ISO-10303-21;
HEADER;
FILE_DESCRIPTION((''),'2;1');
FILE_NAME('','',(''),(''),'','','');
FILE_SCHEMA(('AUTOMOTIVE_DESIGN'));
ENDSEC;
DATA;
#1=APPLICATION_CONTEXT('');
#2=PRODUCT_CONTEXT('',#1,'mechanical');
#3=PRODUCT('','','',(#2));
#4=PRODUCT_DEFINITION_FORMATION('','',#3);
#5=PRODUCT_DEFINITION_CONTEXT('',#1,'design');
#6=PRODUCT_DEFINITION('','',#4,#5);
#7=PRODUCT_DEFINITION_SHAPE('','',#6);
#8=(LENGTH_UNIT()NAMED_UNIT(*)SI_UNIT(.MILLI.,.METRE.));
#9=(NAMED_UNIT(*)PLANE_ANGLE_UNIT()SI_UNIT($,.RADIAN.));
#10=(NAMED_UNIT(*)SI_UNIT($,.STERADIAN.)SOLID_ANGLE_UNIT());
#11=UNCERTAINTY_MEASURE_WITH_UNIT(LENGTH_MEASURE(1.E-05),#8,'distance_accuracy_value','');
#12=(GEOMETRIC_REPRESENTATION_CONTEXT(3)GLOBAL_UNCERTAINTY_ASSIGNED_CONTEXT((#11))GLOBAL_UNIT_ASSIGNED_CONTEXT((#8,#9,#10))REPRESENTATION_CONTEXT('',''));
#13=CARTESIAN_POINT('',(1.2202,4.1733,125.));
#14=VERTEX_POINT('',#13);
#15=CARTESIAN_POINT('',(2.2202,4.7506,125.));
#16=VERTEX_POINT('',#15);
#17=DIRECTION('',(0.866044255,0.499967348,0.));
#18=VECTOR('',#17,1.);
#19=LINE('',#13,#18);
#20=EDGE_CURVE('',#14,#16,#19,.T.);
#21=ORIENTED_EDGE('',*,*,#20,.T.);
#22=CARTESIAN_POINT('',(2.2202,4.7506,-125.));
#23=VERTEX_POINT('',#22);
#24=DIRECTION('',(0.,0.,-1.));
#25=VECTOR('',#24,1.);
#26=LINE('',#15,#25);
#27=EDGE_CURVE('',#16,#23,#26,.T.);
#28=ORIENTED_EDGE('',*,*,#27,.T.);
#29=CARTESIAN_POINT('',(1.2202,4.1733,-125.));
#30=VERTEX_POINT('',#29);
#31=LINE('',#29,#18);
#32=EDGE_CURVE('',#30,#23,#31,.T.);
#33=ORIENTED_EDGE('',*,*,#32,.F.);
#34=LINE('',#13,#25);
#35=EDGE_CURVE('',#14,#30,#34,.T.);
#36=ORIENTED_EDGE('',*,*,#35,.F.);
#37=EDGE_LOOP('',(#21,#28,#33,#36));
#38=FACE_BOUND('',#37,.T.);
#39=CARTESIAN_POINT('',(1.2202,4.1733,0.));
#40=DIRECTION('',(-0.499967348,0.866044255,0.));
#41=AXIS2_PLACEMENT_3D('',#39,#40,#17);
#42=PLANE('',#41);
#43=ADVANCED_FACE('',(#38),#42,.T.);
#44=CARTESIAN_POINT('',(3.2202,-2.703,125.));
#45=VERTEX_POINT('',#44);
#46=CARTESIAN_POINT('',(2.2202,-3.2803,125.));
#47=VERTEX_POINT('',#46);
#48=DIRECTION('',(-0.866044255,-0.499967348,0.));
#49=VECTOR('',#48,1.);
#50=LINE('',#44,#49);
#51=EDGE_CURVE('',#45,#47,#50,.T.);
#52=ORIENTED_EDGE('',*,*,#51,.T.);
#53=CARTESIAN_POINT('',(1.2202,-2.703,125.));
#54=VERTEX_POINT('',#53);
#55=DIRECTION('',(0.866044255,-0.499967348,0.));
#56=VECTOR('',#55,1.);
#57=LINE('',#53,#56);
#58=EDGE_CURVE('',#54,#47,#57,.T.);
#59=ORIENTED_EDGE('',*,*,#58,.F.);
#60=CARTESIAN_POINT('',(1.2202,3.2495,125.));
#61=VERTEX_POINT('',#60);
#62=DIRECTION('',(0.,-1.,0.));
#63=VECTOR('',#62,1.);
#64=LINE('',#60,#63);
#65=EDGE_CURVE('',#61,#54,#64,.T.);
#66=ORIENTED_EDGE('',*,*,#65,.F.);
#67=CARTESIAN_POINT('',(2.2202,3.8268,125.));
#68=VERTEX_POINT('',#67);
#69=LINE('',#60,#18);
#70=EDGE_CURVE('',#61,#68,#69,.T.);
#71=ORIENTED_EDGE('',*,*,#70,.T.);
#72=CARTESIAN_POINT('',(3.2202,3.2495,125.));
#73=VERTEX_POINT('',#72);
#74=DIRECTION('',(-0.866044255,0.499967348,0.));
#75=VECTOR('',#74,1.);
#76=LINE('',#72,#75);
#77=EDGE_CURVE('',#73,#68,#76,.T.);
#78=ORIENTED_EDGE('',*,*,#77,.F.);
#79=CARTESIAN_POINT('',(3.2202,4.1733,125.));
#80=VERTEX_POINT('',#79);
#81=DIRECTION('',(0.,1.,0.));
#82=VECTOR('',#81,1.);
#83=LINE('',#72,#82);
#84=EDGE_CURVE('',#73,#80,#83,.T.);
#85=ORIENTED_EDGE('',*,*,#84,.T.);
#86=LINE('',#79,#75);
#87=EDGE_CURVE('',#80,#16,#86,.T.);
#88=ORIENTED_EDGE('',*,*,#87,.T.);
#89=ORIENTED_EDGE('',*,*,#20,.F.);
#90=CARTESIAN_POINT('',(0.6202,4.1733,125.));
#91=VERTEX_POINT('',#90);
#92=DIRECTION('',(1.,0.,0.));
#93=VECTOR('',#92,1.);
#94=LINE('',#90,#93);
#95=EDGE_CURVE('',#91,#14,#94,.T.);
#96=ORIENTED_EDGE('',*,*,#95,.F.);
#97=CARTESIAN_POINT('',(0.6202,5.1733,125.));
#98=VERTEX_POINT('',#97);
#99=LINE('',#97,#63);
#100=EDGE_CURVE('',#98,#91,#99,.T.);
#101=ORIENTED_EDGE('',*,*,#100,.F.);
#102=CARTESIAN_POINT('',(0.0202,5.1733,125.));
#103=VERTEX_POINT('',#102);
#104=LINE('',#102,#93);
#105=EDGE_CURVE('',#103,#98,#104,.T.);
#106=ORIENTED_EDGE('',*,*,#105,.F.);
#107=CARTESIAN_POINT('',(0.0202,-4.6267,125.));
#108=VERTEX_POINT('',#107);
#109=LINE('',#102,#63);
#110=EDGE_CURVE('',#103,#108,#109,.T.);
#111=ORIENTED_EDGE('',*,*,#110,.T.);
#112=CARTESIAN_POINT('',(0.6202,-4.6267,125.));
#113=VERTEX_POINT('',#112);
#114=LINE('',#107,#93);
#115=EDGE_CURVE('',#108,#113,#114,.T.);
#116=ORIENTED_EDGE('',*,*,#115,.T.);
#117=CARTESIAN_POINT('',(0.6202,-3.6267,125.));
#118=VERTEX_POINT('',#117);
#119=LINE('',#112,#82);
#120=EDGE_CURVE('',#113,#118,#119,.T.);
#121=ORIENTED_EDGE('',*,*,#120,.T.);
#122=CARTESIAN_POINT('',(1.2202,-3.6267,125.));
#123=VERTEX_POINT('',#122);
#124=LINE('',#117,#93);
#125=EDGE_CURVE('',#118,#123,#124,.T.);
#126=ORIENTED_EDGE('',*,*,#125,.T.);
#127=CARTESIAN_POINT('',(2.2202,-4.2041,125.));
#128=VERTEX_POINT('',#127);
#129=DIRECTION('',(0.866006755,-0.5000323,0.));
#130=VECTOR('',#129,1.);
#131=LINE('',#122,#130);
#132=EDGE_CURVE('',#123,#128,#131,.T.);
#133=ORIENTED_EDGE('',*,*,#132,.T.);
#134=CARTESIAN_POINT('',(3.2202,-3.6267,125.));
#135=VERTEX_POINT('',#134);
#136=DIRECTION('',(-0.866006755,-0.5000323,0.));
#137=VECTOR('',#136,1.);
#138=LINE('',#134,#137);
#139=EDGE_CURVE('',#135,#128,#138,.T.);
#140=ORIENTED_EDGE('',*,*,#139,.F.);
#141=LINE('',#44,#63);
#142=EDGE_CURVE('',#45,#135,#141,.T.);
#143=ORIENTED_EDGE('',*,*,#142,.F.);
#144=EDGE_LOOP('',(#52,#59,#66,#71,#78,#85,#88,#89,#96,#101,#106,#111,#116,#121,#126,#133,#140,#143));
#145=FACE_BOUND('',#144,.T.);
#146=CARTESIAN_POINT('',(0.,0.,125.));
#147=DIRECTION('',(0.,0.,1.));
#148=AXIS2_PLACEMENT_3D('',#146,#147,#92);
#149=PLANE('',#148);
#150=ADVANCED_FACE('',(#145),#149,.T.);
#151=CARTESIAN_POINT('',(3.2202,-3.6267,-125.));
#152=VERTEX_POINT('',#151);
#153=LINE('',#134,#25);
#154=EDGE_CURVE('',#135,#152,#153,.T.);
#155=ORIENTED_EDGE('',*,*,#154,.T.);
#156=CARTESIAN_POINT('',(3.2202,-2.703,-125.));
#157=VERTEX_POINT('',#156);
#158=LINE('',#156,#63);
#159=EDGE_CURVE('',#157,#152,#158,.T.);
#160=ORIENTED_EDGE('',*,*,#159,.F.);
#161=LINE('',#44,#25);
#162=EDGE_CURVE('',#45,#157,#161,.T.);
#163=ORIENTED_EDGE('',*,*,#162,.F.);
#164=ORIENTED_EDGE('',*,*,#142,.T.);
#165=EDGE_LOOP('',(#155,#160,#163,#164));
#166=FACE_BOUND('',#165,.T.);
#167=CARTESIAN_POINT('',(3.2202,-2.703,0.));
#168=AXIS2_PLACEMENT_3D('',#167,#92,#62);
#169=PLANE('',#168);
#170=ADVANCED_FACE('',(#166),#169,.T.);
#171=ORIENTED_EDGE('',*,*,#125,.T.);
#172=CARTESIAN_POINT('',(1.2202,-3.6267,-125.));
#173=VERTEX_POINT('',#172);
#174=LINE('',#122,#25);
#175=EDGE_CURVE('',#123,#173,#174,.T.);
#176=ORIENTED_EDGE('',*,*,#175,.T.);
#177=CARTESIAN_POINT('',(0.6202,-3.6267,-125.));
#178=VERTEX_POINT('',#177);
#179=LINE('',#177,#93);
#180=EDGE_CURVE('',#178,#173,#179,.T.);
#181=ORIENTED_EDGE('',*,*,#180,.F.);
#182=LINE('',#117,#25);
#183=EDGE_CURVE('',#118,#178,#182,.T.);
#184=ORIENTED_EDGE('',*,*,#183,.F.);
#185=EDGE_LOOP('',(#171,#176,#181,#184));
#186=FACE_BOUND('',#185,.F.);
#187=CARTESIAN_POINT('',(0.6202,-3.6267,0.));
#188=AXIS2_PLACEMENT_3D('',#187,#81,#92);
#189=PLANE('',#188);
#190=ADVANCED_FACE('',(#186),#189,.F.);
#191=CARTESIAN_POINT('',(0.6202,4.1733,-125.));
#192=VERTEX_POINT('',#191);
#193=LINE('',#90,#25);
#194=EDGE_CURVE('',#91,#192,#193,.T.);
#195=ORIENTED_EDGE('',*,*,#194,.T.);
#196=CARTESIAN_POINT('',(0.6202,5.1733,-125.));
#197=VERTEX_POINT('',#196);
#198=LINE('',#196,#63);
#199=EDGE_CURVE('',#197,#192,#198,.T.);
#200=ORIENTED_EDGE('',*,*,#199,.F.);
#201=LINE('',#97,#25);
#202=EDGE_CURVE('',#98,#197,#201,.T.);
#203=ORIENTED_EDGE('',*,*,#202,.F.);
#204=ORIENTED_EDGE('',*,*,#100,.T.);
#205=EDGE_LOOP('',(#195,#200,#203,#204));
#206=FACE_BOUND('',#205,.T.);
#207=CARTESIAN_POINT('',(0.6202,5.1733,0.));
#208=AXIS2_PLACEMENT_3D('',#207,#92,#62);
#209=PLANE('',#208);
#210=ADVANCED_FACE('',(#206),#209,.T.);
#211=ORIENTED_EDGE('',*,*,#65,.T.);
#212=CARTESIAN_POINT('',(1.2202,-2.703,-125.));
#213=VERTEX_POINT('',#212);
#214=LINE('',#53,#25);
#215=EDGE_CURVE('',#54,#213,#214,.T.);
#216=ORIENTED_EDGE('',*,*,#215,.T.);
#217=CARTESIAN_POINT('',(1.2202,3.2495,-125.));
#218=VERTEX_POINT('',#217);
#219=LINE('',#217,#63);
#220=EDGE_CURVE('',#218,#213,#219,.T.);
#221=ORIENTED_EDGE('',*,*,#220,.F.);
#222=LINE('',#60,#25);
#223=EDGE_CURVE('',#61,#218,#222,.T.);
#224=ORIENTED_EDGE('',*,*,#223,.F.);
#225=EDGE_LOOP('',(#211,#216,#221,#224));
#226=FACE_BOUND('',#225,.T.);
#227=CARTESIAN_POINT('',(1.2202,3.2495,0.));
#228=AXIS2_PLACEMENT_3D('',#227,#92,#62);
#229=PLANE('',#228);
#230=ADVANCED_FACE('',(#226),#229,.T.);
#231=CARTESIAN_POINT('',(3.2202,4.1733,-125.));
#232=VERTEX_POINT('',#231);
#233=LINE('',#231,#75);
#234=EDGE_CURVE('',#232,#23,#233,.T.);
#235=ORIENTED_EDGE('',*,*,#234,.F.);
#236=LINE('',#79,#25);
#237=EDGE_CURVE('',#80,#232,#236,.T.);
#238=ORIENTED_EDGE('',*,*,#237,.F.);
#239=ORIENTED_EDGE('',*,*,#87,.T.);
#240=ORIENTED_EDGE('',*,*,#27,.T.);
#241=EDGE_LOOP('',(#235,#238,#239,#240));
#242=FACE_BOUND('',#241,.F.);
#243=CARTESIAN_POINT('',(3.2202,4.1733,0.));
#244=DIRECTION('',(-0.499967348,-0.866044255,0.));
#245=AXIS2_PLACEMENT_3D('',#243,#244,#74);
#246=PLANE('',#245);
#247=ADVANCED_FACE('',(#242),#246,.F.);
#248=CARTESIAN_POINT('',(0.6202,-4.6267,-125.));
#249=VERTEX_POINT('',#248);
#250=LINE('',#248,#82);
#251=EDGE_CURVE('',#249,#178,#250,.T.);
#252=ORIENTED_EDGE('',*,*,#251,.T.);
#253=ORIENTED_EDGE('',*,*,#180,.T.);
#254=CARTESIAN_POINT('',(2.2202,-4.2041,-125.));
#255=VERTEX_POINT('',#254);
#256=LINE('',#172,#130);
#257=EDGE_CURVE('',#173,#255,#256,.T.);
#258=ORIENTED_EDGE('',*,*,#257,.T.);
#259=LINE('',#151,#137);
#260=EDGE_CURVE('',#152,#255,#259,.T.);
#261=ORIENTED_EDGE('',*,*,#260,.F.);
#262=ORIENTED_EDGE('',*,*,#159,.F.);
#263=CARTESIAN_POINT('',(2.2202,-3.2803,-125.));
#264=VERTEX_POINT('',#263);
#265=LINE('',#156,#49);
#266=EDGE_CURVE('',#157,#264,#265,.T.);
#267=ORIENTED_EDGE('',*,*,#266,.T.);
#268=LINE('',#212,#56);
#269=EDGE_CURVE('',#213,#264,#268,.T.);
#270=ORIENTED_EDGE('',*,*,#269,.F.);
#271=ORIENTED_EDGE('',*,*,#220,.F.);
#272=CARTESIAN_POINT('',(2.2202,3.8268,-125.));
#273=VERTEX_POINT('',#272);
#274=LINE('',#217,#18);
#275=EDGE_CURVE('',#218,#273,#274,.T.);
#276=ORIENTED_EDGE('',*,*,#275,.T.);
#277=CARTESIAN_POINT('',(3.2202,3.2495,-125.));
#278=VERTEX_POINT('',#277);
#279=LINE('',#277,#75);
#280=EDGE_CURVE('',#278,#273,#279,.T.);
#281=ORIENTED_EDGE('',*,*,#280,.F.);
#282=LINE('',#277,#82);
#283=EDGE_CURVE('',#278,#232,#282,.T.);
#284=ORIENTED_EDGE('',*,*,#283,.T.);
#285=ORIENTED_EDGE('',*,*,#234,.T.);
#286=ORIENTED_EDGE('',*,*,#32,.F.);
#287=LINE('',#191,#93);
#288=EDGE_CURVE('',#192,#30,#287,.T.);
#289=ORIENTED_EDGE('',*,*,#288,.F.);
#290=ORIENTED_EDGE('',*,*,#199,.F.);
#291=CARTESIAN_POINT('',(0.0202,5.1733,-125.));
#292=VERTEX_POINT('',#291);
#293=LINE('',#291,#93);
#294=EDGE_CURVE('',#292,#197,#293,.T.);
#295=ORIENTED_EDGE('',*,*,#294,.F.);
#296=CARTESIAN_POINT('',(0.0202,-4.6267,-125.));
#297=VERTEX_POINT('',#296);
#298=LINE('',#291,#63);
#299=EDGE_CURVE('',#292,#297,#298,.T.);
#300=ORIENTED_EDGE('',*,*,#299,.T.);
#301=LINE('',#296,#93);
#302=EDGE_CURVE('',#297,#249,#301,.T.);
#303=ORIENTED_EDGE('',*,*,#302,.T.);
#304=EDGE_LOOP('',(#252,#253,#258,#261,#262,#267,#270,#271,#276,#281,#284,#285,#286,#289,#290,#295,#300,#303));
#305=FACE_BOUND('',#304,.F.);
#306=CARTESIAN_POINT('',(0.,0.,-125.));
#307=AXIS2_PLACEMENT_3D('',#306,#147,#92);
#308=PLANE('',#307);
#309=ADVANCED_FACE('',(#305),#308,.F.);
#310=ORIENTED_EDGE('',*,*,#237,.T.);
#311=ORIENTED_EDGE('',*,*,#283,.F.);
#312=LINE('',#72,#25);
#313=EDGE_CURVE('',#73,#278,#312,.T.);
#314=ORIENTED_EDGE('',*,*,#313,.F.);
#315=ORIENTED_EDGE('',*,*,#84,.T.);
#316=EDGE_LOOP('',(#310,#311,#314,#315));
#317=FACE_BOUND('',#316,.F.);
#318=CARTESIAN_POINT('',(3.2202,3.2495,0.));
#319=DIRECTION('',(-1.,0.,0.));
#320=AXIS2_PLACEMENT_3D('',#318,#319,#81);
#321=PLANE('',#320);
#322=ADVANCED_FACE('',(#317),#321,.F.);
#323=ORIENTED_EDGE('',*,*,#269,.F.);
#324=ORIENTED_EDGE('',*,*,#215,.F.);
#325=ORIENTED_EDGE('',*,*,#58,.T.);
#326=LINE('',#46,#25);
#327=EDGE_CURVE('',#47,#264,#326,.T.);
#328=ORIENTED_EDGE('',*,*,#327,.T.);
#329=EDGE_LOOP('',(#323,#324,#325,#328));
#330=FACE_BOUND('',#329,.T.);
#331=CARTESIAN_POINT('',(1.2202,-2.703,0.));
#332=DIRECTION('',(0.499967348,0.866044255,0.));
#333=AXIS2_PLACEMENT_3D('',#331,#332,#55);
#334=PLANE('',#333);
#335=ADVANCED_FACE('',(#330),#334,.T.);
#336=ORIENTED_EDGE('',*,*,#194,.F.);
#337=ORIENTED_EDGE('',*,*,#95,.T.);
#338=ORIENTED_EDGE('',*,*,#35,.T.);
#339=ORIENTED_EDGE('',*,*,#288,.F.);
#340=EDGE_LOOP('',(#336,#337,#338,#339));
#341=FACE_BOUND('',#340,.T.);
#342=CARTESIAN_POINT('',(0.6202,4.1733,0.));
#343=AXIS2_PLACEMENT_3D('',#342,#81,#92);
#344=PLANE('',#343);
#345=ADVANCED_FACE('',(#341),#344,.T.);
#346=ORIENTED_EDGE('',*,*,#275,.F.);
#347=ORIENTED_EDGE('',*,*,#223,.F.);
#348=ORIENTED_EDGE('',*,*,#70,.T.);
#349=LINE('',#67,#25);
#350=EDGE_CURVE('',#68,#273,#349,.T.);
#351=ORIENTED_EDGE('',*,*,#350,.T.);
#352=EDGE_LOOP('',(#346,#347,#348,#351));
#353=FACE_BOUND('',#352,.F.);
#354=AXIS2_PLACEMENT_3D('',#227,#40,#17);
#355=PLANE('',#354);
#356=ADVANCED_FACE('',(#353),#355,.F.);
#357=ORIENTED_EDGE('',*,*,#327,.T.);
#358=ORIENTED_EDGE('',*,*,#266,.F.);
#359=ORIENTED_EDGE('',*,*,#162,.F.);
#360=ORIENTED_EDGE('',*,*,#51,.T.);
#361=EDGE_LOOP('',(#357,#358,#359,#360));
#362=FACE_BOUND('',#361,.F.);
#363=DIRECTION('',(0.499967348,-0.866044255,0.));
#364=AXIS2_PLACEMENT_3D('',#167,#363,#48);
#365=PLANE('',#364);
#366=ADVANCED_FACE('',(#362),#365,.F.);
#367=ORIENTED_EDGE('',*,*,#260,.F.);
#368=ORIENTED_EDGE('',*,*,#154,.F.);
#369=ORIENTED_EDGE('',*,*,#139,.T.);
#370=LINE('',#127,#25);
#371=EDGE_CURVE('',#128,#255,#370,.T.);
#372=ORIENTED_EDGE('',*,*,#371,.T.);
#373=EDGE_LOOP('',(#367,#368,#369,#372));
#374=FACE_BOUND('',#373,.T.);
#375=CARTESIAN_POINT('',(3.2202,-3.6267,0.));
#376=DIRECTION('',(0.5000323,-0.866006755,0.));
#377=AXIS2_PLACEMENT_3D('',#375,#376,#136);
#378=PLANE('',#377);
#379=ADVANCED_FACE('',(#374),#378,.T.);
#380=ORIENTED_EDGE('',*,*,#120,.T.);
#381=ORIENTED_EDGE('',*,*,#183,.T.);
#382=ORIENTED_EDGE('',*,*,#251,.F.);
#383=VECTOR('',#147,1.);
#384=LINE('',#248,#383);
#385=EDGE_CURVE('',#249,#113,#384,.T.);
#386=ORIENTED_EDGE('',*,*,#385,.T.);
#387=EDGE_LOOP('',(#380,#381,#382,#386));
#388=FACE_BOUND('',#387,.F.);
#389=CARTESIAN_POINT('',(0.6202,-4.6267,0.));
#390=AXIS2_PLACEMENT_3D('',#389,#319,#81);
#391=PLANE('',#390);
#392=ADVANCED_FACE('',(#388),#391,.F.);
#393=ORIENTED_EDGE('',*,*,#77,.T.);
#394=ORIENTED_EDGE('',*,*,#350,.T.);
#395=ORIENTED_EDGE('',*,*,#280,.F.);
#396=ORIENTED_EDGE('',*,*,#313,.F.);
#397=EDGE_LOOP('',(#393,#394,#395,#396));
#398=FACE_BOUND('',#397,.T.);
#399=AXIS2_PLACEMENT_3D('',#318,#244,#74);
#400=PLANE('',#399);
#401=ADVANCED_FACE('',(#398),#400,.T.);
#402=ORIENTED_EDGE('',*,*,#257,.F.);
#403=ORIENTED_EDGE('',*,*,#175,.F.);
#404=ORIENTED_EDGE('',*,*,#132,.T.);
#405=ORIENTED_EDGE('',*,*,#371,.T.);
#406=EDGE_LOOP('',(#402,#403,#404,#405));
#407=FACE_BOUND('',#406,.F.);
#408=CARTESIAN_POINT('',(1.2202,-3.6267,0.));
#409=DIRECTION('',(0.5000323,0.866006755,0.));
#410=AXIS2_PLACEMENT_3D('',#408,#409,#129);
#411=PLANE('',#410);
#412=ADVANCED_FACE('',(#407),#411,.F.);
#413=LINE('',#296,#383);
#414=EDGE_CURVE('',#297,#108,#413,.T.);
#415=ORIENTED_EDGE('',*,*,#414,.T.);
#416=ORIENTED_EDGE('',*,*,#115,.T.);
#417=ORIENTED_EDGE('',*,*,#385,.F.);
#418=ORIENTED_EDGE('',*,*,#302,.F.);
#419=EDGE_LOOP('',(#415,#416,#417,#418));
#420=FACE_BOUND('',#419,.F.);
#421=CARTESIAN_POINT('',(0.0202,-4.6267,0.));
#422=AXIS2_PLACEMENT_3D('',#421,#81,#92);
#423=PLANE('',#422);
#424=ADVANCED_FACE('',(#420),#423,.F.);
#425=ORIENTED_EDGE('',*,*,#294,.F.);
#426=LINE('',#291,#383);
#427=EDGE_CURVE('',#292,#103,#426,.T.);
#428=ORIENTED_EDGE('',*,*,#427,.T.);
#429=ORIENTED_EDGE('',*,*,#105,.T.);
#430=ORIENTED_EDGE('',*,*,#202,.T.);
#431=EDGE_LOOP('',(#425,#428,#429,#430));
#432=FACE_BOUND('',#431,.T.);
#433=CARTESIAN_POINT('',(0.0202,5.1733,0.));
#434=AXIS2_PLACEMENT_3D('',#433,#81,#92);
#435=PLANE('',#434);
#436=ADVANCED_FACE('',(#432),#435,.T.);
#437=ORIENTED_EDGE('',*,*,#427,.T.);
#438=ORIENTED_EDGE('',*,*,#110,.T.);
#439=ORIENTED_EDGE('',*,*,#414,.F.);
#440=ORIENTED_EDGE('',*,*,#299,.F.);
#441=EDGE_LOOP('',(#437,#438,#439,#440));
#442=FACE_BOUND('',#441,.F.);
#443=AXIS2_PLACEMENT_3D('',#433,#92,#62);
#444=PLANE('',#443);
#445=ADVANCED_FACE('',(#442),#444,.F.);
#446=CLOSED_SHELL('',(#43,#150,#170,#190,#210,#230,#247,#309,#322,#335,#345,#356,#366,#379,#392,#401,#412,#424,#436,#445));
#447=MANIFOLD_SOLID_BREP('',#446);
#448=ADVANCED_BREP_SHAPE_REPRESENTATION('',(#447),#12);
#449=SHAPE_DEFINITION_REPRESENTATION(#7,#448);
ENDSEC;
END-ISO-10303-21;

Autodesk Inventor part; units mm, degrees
ref_plane "YZ Plane" through (0, 0, 0) normal (1, 0, 0) x (0, 1, 0)
ref_plane "XZ Plane" through (0, 0, 0) normal (0, 1, 0) x (-1, 0, 0)
ref_plane "XY Plane" through (0, 0, 0) normal (0, 0, 1) x (1, 0, 0)
sketch "Sketch1" plane through (0, 0, 0) normal (0, 0, 1) x (1, 0, 0)
  line L0 (0.0202, 5.1733) -> (0.0202, -4.6267)
  line L1 (0.6202, 5.1733) -> (0.6202, 4.1733)
  line L2 (1.2202, 3.2495) -> (1.2202, -2.703)
  line L3 (0.6202, 4.1733) -> (1.2202, 4.1733)
  line L4 (0.0202, 5.1733) -> (0.6202, 5.1733)
  line L5 (1.2202, 4.1733) -> (2.2202, 4.7506)
  line L6 (1.2202, 3.2495) -> (2.2202, 3.8268)
  line L7 (3.2202, 4.1733) -> (2.2202, 4.7506)
  line L8 (3.2202, 3.2495) -> (2.2202, 3.8268)
  line L9 (3.2202, 3.2495) -> (3.2202, 4.1733)
  line L10 (0.6202, -4.6267) -> (0.6202, -3.6267)
  line L11 (0.6202, -3.6267) -> (1.2202, -3.6267)
  line L12 (0.0202, -4.6267) -> (0.6202, -4.6267)
  line L13 (1.2202, -3.6267) -> (2.2202, -4.2041)
  line L14 (1.2202, -2.703) -> (2.2202, -3.2803)
  line L15 (3.2202, -3.6267) -> (2.2202, -4.2041)
  line L16 (3.2202, -2.703) -> (2.2202, -3.2803)
  line L17 (3.2202, -2.703) -> (3.2202, -3.6267)
  point P0 (0, 0)
  dimension "d0" = 120
  dimension "d1" = 120
  dimension "d2" = 90
  dimension "d3" = 60
  dimension "d4" = 2
  dimension "d5" = 2.6
  dimension "d6" = 3.2
  dimension "d7" = 0.8
  dimension "d8" = 6.955
  dimension "d9" = 7.755
  dimension "d10" = 0.8
  dimension "d11" = 6.955
  dimension "d12" = 6.155
  dimension "d13" = 7.8
  dimension "d14" = 1
  dimension "d15" = 8.8
  dimension "d16" = 3.2202
  dimension "d17" = 3.2202
  dimension "d18" = 5.2242
  dimension "d19" = 3.951
  dimension "d20" = 4.1733
  dimension "d21" = 0.6202
extrude "Extrusion1" add sketch "Sketch1" along normal mid plane 250
properties part number "T Slot Cover 250mm" material "PC/ABS Plastic"
